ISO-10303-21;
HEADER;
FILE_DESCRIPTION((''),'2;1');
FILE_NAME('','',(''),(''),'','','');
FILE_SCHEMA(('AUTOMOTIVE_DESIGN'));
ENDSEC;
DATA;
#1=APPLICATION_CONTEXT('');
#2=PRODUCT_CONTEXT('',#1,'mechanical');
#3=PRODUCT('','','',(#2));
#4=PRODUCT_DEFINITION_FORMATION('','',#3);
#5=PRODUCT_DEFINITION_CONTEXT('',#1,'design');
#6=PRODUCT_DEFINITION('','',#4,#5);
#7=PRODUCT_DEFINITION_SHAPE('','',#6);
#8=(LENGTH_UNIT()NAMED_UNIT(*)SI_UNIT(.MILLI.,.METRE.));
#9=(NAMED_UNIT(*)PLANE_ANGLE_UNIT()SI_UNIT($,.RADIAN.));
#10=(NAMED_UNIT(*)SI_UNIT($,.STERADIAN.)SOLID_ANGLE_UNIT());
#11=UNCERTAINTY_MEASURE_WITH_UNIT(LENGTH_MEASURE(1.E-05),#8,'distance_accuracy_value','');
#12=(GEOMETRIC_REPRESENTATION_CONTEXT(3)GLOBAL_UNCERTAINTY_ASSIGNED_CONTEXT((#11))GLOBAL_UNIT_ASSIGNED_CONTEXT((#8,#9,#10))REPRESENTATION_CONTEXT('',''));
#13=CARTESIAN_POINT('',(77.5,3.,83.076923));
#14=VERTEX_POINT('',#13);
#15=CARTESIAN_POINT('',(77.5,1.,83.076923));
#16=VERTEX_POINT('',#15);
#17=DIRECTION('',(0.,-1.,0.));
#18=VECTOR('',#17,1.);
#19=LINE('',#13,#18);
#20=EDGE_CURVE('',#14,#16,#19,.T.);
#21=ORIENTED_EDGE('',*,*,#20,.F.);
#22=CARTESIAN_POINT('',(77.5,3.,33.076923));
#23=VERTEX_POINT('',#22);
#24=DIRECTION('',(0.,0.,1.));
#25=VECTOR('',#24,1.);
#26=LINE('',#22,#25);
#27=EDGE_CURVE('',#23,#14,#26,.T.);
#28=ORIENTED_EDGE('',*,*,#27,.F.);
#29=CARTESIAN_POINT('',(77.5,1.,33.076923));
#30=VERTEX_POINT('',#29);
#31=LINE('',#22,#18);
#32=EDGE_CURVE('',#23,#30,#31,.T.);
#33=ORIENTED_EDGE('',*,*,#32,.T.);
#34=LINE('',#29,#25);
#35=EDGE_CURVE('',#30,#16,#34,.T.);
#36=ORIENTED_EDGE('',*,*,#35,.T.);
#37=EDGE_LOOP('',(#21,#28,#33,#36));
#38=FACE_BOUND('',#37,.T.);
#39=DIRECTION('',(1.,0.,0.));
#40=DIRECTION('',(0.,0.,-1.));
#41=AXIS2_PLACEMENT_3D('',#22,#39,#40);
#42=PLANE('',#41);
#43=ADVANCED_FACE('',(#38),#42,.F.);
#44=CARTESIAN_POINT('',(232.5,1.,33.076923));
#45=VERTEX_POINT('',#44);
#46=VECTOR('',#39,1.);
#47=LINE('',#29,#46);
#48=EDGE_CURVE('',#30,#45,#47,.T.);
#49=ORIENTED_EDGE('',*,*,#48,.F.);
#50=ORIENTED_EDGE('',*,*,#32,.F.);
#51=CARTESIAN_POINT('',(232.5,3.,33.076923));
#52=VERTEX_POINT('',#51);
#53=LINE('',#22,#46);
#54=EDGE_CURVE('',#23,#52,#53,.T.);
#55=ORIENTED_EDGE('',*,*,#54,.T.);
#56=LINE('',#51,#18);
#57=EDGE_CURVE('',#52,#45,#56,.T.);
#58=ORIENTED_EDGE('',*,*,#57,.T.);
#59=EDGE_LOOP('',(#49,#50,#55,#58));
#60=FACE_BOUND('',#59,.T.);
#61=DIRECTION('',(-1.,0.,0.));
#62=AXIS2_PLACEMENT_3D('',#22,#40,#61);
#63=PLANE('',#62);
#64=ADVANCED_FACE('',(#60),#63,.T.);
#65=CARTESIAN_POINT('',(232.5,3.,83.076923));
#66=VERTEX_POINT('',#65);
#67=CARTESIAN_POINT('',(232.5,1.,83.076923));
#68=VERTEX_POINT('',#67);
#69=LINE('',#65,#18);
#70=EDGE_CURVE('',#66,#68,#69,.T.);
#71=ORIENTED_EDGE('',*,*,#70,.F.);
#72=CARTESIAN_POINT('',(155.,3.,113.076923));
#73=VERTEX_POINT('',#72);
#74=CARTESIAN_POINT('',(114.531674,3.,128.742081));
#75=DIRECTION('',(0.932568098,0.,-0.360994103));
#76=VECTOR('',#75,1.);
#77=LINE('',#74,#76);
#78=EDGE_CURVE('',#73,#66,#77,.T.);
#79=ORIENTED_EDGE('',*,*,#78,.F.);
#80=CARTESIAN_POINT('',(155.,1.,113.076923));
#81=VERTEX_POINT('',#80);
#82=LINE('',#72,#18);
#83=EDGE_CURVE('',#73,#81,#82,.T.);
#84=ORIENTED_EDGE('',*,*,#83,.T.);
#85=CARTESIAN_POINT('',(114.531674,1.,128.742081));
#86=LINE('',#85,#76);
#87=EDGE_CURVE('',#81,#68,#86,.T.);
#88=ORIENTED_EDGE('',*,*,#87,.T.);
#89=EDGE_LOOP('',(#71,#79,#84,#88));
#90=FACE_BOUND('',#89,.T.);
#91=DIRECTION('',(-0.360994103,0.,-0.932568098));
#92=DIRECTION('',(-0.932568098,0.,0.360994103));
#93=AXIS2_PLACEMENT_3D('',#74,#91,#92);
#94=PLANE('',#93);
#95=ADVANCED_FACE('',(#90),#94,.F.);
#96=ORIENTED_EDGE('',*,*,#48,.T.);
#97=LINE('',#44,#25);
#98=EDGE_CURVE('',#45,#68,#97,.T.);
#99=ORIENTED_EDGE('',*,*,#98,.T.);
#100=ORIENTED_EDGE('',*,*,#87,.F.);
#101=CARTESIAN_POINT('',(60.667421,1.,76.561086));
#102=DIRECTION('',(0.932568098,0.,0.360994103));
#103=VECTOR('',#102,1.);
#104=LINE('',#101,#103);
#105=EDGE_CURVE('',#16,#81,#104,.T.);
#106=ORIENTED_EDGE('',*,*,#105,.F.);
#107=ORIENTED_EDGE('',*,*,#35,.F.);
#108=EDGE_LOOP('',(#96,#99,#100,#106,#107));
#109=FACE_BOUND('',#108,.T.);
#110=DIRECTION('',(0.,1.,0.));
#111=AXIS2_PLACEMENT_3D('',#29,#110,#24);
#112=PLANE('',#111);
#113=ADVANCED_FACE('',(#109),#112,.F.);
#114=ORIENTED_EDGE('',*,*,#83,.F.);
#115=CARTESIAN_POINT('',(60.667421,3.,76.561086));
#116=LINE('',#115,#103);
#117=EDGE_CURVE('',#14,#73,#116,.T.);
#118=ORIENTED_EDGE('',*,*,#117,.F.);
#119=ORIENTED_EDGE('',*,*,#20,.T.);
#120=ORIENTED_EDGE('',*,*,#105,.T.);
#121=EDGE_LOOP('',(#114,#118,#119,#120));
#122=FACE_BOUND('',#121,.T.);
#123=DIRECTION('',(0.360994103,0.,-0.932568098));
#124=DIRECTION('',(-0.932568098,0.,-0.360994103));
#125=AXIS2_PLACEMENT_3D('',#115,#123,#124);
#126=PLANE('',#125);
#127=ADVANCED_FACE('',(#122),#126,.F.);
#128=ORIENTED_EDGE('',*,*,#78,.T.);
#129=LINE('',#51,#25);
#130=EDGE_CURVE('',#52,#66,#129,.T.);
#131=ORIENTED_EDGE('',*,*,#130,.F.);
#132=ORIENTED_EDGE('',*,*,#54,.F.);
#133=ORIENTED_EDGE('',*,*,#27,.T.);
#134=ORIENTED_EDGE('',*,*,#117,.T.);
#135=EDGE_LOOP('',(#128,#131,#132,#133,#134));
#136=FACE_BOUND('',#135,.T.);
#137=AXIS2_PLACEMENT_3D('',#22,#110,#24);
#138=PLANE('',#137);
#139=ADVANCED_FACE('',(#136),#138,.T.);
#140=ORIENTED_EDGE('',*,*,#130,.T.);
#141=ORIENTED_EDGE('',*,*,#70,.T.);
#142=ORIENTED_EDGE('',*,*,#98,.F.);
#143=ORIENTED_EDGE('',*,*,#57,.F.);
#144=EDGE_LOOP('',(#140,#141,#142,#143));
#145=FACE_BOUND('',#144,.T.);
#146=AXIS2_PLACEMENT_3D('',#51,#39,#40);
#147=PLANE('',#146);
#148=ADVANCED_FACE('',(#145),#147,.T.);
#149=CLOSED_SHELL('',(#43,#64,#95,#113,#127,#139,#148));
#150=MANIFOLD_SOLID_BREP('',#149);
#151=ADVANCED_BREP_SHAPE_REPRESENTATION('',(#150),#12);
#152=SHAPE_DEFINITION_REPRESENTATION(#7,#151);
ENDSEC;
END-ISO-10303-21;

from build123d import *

# Parameters (mm, degrees)
SKETCH1_W           = 310
SKETCH1_H           = 100
BOSS_EXTRUDE1_DEPTH = 4
SCALE1_SCALE        = 0.5


with BuildPart() as part:
    # Sketch1 → Boss-Extrude1 (new body)
    with BuildSketch(Plane(origin=(0, 0, 0), x_dir=(1, 0, 0), z_dir=(0, 1, 0))):
        Polygon((155, -100), (0, -100), (155, -160), align=None)
        with Locations((155, -50)):
            Rectangle(SKETCH1_W, SKETCH1_H)
        Polygon((155, -100), (155, -160), (310, -100), align=None)
    extrude(amount=BOSS_EXTRUDE1_DEPTH)


with BuildPart() as part_1:
    # Scale1: scaled about (155, 2, 66.153846154)
    add(part.part.scale(SCALE1_SCALE).moved(Location((77.5, 1, 33.076923077))))


solid = part_1.part
